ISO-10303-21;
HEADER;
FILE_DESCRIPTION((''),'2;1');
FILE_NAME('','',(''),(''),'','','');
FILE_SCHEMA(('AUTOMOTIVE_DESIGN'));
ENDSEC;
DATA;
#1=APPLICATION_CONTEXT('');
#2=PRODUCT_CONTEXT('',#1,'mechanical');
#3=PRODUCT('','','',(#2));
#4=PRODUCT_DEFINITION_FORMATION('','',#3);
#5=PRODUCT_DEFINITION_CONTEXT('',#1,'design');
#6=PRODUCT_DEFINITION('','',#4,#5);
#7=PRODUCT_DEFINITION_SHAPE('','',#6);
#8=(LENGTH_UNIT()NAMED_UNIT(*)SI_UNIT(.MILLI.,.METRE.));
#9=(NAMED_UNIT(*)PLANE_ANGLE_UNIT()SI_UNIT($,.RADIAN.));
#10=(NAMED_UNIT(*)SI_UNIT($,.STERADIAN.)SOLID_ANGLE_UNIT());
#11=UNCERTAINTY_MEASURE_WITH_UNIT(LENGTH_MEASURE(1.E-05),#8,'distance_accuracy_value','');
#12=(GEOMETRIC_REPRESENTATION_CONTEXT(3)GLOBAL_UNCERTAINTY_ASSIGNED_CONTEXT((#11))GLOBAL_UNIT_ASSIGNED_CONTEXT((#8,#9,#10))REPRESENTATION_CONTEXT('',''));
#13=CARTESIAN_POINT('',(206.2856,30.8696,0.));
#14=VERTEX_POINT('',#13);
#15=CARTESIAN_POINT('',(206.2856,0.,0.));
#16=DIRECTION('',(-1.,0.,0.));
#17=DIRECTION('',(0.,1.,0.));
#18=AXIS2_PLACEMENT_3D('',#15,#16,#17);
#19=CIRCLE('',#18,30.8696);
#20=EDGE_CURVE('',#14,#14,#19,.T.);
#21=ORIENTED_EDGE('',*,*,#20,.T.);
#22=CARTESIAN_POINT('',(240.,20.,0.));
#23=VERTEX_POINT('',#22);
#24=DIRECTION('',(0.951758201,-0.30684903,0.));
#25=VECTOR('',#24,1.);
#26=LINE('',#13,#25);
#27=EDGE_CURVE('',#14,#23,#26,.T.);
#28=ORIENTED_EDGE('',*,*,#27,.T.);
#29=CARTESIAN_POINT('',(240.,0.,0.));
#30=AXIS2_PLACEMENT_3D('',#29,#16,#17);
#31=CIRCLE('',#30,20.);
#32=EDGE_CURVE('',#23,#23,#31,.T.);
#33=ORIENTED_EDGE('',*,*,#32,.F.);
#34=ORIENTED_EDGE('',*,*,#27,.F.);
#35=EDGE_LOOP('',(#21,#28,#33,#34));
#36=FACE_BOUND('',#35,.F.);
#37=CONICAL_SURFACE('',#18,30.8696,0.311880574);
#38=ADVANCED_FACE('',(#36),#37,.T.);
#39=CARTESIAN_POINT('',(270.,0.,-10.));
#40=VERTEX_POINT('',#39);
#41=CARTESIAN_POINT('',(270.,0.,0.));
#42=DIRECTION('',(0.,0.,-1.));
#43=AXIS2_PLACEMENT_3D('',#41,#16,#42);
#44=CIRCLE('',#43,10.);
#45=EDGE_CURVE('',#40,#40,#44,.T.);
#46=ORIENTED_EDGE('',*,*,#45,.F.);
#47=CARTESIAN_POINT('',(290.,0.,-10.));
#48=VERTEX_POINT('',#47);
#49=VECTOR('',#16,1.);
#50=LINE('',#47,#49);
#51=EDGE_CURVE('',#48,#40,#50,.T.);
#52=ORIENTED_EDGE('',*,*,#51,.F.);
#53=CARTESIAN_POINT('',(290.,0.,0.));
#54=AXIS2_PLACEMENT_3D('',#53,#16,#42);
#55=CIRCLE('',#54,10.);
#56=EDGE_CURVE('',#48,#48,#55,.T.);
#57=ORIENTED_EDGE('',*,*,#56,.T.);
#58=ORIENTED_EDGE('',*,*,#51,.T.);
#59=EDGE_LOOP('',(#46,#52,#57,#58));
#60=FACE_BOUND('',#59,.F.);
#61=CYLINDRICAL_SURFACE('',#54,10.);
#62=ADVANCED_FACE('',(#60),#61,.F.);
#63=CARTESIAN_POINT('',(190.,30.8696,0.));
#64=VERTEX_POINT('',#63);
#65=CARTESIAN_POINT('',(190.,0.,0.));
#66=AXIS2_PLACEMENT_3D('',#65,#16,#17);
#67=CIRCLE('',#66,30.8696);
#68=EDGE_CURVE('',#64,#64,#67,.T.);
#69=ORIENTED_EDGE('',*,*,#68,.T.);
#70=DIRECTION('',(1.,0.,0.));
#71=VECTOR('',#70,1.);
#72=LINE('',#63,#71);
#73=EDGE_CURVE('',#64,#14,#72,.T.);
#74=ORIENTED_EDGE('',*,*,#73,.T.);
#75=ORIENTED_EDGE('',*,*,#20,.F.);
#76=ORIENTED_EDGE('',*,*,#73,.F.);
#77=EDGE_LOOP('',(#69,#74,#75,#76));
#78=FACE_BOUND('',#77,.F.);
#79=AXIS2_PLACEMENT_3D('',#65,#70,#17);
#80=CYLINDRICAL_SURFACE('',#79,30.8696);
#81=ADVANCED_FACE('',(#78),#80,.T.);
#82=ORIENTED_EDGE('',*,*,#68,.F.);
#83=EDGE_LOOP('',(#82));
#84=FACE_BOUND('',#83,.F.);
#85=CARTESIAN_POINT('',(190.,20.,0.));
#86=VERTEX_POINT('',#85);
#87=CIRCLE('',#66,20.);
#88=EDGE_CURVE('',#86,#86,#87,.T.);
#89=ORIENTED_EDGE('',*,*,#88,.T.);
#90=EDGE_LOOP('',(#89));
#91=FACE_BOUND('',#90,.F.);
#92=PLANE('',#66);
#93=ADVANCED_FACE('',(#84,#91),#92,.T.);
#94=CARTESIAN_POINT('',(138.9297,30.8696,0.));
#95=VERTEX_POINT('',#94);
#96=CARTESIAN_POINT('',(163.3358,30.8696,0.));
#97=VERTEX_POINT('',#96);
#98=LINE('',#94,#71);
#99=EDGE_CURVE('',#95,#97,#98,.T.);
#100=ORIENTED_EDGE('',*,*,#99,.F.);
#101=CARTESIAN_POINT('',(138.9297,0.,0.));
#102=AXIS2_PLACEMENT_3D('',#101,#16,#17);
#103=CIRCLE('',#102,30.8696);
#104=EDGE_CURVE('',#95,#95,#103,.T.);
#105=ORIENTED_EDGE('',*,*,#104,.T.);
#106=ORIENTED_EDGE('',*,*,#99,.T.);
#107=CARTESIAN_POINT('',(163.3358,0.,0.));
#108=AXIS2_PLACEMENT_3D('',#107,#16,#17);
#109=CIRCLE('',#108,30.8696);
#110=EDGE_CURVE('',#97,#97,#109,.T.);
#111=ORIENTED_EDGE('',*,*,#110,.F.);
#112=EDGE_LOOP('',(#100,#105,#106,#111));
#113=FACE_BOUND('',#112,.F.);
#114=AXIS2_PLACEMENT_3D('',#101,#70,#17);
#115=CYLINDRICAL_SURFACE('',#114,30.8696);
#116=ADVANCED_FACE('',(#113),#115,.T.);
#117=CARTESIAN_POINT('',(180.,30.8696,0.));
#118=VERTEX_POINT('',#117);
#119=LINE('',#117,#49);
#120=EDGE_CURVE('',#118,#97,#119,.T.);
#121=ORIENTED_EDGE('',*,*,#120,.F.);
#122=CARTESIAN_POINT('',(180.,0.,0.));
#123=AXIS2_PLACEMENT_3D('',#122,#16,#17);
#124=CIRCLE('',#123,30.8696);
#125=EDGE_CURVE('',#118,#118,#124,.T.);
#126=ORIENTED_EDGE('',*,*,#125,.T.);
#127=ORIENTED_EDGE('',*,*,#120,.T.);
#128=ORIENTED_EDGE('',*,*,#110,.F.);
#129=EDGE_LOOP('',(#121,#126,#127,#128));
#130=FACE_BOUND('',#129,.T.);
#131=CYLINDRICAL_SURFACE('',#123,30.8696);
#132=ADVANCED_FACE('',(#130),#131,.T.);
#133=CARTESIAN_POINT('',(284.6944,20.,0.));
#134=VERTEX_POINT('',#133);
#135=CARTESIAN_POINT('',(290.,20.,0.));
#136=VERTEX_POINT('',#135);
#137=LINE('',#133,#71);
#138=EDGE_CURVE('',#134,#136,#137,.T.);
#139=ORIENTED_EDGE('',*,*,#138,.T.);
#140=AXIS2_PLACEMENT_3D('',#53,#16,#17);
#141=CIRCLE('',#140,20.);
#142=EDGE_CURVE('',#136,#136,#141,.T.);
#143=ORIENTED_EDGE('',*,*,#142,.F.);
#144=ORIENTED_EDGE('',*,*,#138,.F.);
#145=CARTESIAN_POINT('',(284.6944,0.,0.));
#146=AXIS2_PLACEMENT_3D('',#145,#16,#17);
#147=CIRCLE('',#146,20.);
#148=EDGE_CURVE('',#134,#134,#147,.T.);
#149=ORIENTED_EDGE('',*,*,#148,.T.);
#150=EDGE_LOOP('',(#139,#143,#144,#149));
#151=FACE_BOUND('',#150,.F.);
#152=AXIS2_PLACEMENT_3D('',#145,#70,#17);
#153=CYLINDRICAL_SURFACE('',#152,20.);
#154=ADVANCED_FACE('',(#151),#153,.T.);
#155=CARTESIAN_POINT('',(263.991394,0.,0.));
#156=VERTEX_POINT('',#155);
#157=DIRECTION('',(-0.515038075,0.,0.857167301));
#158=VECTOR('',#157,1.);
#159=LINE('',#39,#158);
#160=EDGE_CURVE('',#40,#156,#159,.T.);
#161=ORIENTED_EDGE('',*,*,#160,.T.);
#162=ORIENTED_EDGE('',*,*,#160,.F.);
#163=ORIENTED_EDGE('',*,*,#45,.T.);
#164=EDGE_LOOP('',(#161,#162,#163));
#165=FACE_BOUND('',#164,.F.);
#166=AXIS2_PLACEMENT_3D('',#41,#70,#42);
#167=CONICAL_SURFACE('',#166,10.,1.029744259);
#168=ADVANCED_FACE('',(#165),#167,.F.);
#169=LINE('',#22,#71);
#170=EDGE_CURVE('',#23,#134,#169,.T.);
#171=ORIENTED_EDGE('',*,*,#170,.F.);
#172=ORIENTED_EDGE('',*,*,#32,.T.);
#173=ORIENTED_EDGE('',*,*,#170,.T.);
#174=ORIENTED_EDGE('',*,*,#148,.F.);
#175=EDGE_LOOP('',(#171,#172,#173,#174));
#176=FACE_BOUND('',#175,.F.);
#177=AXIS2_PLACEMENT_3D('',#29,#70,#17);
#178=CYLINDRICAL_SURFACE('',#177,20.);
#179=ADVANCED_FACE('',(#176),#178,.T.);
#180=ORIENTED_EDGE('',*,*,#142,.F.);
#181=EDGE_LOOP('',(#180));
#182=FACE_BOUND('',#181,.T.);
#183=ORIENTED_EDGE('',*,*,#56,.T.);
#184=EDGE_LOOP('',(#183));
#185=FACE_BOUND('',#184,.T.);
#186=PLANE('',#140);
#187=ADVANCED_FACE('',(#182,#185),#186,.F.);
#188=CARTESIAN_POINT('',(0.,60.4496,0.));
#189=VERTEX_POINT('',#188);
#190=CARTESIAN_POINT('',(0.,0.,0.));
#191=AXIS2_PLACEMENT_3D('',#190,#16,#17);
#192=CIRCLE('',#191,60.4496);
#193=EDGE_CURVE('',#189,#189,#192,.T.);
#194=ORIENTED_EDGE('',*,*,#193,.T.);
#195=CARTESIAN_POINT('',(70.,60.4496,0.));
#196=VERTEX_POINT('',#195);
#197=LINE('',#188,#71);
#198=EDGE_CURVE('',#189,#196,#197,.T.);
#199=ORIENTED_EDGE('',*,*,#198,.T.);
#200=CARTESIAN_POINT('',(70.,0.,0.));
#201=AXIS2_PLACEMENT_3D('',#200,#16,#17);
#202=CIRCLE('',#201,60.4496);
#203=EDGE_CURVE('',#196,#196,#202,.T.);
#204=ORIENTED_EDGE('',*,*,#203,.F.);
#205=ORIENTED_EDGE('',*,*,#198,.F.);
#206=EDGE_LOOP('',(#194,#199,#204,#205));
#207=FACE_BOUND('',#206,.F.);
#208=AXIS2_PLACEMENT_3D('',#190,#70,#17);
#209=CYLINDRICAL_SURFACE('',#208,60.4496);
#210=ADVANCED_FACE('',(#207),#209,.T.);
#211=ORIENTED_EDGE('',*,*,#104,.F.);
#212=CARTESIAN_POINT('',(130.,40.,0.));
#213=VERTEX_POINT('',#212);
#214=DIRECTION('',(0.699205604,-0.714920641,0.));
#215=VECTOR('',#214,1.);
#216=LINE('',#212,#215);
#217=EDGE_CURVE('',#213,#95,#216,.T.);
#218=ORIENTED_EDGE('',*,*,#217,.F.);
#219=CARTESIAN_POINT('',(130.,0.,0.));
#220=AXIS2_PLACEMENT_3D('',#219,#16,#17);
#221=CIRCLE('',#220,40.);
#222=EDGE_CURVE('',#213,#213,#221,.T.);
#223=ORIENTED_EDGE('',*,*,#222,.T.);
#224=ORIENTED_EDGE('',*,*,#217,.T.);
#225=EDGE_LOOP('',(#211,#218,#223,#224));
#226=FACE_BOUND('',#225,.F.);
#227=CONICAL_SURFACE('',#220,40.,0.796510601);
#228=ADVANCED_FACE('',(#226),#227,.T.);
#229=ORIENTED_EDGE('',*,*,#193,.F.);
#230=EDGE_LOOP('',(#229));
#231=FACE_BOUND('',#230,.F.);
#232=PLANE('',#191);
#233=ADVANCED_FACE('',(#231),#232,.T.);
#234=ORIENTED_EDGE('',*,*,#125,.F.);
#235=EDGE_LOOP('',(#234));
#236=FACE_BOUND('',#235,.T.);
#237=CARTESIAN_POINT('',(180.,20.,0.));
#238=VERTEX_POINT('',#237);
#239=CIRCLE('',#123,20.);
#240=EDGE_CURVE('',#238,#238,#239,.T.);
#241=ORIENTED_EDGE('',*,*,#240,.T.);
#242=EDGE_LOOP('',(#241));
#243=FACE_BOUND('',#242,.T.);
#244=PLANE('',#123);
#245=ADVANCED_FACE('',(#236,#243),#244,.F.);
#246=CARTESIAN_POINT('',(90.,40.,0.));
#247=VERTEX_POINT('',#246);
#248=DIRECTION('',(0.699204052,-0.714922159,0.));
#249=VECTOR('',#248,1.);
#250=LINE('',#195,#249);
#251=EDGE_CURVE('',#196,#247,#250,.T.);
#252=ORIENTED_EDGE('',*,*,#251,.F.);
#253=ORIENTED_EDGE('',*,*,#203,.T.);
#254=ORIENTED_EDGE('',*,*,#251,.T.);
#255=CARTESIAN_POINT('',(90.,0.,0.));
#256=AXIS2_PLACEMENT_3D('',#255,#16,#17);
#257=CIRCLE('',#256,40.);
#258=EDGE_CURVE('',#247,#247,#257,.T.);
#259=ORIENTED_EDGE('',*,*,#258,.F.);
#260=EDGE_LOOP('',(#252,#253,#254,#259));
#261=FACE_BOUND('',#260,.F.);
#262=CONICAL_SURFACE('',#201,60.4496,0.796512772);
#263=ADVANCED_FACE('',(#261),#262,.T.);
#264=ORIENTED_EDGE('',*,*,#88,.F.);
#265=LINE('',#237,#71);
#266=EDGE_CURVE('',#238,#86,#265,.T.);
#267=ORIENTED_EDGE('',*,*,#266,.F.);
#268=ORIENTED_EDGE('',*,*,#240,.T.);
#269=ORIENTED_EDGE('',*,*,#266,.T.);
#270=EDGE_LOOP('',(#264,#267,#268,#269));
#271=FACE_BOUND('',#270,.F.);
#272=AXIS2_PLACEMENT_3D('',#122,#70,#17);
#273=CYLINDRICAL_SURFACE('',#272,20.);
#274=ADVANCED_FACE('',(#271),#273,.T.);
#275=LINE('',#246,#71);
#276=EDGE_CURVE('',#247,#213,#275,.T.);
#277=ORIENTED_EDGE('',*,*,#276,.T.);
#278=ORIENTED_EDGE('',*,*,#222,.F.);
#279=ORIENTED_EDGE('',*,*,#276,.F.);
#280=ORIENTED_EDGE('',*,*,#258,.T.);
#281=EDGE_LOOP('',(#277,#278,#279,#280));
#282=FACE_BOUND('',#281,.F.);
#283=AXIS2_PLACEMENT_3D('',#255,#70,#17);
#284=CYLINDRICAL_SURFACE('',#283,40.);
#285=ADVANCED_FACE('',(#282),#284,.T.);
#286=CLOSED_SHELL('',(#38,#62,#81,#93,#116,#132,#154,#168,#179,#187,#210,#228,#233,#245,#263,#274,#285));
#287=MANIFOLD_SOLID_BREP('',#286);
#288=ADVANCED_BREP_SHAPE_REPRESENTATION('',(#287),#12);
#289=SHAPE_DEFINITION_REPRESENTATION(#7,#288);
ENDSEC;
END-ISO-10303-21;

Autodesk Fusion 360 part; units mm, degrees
sketch "Sketch1" plane through (0, 0, 0) normal (0, 0, 1) x (1, 0, 0)
  line L0 (0, 0) -> (0, 60.4496)
  line L1 (0, 60.4496) -> (70, 60.4496)
  line L2 (70, 60.4496) -> (90, 40)
  line L3 (90, 40) -> (130, 40)
  line L4 (130, 40) -> (138.9297, 30.8696)
  line L5 (138.9297, 30.8696) -> (163.3358, 30.8696)
  line L6 (200, 0) -> (0, 0)
  line L7 (260, 0) -> (200, 0)
  line L8 (180, 20) -> (190, 20)
  line L9 (190, 20) -> (190, 30.8696)
  line L10 (190, 30.8696) -> (206.2856, 30.8696)
  line L11 (206.2856, 30.8696) -> (240, 20)
  line L12 (240, 20) -> (284.6944, 20)
  line L13 (284.6944, 20) -> (290, 20)
  line L14 (260, 0) -> (290, 0)
  line L15 (290, 0) -> (290, 20)
  line L16 (180, 20) -> (180, 30.8696)
  line L17 (180, 30.8696) -> (163.3358, 30.8696)
revolve "Revolve1" add sketch "Sketch1" angle 360 about axis through (260, 0, 0) along (-1, 0, 0)
hole "Hole1" at (290, 0, 0) direction (-1, 0, 0) diameter 20 depth 20 tip angle 118
